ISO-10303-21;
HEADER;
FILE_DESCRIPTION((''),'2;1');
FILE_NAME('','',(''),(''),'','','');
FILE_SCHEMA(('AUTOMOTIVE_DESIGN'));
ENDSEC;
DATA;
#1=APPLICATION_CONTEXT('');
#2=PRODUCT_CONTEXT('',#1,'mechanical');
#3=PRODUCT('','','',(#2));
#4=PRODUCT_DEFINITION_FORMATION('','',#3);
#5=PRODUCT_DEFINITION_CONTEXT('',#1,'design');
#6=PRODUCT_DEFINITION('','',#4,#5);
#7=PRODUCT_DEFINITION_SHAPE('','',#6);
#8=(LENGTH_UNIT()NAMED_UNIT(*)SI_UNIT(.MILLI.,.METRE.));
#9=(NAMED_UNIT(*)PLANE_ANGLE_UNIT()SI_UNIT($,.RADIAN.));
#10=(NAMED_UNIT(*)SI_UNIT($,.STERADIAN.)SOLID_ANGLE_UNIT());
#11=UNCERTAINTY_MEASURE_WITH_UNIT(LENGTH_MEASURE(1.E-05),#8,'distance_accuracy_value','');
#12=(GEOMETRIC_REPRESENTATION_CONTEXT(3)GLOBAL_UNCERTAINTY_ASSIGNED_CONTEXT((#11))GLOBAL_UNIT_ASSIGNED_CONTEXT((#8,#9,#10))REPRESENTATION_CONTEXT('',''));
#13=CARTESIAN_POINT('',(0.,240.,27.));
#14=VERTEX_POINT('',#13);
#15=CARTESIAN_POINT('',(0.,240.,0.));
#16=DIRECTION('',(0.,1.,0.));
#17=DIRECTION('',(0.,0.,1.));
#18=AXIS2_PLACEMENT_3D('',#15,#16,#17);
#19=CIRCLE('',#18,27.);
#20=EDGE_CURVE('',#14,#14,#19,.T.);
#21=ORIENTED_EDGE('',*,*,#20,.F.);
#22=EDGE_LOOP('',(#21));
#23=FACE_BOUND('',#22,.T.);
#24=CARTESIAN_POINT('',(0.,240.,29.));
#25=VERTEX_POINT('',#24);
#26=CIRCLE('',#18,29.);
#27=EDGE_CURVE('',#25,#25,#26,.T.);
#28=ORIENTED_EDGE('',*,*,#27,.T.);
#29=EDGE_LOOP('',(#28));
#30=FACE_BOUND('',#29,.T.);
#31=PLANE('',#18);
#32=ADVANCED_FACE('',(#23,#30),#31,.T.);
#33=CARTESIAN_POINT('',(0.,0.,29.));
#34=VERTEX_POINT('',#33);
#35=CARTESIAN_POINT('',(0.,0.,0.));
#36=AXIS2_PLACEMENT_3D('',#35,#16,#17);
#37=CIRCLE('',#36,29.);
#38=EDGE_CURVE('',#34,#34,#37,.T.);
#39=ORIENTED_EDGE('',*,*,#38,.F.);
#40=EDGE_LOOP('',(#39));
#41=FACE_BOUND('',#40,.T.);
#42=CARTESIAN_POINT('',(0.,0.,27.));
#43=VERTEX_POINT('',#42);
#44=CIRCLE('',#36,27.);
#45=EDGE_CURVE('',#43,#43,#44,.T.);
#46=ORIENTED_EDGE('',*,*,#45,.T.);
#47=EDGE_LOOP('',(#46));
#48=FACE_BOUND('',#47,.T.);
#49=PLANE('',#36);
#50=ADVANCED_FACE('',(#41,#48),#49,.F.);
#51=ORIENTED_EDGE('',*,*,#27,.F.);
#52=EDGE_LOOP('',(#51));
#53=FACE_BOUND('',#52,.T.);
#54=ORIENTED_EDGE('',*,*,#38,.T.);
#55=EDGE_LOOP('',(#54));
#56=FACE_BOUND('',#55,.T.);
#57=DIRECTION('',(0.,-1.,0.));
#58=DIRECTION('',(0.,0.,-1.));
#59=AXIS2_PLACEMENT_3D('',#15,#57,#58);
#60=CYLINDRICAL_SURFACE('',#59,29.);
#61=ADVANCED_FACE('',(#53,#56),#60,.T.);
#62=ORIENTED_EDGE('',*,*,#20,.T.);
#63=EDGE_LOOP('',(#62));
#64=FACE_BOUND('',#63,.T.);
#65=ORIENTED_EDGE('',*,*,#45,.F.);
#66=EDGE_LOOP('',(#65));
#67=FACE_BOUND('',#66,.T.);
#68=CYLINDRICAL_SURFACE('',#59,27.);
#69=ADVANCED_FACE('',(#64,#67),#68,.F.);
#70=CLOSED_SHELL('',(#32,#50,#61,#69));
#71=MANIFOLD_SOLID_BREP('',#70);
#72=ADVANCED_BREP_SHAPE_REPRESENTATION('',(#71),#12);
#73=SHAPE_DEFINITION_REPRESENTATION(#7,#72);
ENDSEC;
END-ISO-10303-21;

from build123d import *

# Parameters (mm, degrees)
SKETCH1_R           = 29
SKETCH1_R_2         = 27
BOSS_EXTRUDE1_DEPTH = 240


with BuildPart() as part:
    # Sketch1 → Boss-Extrude1 (new body)
    with BuildSketch(Plane(origin=(0, 0, 0), x_dir=(1, 0, 0), z_dir=(0, 1, 0))):
        Circle(SKETCH1_R)
        Circle(SKETCH1_R_2, mode=Mode.SUBTRACT)
    extrude(amount=BOSS_EXTRUDE1_DEPTH)


solid = part.part
